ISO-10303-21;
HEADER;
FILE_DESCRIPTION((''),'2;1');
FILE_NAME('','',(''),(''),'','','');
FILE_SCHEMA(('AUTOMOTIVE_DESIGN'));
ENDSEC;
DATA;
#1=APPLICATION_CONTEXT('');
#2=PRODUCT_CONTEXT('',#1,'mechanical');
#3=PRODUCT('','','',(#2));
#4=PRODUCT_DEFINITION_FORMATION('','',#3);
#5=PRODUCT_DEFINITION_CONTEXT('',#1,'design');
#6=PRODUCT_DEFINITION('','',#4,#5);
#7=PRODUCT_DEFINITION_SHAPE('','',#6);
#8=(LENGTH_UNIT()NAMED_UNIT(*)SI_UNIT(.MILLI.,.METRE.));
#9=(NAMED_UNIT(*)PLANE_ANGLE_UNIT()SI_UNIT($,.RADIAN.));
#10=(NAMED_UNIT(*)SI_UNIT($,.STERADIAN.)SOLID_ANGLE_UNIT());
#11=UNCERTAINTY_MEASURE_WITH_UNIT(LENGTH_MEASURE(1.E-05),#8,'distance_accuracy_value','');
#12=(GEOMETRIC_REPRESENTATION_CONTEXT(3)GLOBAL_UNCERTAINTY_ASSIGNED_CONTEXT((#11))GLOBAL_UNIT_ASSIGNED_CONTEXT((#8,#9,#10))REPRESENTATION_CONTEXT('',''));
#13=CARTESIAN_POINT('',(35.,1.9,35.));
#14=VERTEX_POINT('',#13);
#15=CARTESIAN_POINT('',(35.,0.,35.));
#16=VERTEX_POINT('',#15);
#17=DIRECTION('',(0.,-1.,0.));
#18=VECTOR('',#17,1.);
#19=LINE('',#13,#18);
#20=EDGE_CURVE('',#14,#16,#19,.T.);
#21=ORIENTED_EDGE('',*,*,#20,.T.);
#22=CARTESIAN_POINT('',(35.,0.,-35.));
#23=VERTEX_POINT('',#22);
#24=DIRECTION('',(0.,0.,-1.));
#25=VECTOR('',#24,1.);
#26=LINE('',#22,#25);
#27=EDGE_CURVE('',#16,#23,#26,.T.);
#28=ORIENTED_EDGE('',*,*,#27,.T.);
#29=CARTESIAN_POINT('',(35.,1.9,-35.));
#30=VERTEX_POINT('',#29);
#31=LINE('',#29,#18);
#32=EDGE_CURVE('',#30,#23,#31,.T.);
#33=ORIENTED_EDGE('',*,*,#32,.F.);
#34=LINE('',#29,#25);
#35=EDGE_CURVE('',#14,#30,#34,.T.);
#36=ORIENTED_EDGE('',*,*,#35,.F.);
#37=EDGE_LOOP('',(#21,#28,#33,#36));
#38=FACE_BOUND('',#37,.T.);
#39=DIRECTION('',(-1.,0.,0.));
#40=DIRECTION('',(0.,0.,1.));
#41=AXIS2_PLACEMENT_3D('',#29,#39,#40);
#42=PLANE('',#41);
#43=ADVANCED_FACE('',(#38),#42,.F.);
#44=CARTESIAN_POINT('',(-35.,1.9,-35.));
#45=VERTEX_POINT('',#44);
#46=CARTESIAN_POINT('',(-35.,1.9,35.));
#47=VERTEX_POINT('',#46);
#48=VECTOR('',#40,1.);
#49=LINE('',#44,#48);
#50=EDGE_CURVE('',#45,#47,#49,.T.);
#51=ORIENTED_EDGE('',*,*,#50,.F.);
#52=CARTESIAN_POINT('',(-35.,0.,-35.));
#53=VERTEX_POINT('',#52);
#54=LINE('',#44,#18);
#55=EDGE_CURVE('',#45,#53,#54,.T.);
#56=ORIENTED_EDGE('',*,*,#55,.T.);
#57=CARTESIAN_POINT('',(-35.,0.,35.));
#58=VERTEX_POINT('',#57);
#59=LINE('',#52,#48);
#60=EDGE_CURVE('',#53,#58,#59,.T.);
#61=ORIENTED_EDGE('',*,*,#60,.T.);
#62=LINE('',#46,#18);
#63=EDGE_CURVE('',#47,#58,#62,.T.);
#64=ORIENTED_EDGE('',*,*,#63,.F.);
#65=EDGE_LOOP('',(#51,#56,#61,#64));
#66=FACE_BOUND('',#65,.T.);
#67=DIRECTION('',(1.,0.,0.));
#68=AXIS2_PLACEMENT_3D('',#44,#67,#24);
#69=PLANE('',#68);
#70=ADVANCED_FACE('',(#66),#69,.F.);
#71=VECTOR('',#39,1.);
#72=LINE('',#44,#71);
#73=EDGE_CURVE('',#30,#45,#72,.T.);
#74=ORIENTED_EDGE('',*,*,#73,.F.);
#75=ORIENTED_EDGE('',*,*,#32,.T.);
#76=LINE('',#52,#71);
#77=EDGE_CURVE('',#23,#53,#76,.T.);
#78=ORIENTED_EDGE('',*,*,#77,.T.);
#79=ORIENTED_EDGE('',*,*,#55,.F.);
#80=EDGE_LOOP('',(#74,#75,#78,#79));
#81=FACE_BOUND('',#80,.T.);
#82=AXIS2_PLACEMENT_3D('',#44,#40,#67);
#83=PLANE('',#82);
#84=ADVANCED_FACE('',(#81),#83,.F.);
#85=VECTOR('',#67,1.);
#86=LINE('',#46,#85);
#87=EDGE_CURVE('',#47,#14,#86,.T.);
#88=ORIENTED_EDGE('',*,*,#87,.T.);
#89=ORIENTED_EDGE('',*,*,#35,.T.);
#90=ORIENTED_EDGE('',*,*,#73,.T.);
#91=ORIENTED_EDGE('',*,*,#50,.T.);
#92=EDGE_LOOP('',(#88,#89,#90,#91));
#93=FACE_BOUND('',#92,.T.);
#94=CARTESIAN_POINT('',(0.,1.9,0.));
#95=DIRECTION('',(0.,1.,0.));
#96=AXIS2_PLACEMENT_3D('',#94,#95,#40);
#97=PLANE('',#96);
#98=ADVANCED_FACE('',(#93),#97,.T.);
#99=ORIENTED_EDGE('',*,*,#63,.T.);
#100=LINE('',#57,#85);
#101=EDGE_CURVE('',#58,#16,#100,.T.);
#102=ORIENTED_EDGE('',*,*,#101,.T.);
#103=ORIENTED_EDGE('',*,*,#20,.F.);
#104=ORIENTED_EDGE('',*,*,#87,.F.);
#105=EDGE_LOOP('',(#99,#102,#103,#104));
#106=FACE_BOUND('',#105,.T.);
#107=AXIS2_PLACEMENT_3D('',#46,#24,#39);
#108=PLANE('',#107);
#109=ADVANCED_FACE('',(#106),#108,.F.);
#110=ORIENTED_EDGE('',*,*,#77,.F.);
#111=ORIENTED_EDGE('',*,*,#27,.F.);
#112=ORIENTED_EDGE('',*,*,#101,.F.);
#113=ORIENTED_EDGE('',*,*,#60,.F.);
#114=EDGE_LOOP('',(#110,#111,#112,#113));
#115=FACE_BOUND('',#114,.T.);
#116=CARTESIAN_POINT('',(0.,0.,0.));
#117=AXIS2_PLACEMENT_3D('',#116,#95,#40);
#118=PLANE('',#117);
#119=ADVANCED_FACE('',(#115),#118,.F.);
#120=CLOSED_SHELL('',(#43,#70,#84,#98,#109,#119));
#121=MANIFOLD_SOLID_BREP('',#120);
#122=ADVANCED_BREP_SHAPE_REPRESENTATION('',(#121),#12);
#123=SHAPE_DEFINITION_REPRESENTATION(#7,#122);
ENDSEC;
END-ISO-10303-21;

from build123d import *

# Parameters (mm, degrees)
CROQUIS1_W              = 70
CROQUIS1_H              = 70
SALIENTE_EXTRUIR1_DEPTH = 1.9


with BuildPart() as part:
    # Croquis1 → Saliente-Extruir1 (new body)
    with BuildSketch(Plane(origin=(0, 0, 0), x_dir=(1, 0, 0), z_dir=(0, 1, 0))):
        Rectangle(CROQUIS1_W, CROQUIS1_H)
    extrude(amount=SALIENTE_EXTRUIR1_DEPTH)


solid = part.part
